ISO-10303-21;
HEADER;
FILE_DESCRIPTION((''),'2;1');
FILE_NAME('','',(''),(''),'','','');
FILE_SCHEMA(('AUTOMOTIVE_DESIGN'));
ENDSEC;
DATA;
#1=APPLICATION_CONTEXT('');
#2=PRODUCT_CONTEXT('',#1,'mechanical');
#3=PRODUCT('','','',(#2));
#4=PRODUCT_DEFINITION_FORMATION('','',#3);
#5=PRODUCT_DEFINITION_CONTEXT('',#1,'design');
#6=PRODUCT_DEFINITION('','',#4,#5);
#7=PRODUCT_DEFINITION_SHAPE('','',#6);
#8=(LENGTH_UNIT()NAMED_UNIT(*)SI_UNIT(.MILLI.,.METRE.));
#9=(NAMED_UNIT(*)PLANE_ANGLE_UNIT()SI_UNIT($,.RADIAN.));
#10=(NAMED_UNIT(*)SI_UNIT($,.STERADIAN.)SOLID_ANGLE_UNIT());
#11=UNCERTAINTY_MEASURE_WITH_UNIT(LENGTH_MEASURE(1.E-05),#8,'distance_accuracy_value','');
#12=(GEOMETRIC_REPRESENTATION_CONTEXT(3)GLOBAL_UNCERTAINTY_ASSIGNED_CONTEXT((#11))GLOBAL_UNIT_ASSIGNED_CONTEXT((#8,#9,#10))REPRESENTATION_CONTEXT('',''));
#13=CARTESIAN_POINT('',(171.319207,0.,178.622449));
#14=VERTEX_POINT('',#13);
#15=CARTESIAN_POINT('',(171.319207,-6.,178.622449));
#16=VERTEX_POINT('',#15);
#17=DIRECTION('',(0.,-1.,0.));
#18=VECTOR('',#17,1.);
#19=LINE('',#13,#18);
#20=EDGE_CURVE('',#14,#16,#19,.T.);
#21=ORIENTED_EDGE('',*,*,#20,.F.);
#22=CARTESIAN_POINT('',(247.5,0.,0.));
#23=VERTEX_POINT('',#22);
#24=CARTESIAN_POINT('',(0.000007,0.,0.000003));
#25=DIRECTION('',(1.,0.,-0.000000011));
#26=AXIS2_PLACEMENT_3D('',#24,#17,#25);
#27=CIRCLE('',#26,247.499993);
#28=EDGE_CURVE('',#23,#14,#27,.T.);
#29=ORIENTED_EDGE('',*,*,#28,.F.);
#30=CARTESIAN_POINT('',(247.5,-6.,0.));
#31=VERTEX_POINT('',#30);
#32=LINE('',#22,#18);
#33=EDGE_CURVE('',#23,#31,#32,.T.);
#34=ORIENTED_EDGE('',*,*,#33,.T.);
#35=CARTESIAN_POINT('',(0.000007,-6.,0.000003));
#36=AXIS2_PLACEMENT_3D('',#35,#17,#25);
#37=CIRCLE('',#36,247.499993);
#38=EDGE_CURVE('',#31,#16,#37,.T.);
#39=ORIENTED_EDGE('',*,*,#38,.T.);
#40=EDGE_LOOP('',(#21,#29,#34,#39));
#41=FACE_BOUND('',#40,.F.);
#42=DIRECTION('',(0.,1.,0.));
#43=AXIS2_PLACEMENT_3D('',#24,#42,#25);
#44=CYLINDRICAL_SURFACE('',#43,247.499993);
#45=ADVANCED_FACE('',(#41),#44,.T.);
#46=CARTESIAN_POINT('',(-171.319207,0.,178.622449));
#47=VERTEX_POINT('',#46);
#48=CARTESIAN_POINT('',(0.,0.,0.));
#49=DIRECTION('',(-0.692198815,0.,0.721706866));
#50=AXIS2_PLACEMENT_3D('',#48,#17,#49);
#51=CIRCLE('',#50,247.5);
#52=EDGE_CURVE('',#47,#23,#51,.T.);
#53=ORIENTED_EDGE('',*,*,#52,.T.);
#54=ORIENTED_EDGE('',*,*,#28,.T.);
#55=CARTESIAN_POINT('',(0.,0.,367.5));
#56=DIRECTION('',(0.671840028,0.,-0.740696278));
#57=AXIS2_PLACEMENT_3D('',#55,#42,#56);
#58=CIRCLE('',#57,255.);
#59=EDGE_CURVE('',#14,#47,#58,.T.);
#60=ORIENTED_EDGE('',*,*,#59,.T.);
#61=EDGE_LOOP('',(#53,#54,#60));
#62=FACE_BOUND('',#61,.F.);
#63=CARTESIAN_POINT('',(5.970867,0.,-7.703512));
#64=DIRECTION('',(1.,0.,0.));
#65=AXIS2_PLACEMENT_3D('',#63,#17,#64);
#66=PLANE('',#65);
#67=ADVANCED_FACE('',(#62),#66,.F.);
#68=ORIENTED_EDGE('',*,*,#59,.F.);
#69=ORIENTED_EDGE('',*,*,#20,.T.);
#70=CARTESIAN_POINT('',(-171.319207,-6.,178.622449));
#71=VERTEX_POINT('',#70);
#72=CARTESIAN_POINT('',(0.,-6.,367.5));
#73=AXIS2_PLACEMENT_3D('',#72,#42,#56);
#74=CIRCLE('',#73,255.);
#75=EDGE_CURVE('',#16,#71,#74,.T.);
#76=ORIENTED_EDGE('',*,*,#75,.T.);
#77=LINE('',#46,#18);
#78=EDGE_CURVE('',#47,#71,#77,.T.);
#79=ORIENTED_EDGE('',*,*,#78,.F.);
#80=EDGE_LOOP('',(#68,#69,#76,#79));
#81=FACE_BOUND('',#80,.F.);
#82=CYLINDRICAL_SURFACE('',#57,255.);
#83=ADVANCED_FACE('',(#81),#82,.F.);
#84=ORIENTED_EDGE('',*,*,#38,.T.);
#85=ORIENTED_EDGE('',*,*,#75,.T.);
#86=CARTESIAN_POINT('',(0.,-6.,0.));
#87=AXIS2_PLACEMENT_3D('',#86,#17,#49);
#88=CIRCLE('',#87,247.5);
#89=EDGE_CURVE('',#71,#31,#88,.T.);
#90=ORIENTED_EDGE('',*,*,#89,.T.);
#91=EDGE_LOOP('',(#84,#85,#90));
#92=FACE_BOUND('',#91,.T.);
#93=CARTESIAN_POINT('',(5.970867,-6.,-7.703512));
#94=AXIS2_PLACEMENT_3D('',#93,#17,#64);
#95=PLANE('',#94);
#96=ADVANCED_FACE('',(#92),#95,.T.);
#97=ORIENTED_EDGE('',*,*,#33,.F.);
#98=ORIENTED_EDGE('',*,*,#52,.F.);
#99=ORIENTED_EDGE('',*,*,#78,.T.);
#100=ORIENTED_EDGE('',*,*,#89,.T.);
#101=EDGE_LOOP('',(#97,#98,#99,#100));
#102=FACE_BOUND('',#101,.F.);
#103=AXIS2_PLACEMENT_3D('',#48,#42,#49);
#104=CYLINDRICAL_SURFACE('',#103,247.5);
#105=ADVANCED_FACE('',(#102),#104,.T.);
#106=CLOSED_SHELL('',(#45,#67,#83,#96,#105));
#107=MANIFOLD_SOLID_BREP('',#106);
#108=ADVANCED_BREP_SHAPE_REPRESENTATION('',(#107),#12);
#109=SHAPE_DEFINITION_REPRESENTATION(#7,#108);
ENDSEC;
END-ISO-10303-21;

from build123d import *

# Parameters (mm, degrees)
F1_DEPTH = 6


with BuildPart() as f1:
    # F0 (on Front) → F1 (new body)
    with BuildSketch(Plane.XZ):
        with BuildLine():
            ThreePointArc((-171.319207, 178.622449), (-97.094661, -227.659564), (247.5, 0))
            ThreePointArc((247.5, 0), (227.659564, 97.094661), (171.319207, 178.622449))
            ThreePointArc((171.319207, 178.622449), (0, 112.5), (-171.319207, 178.622449))
        make_face()
    extrude(amount=F1_DEPTH)


solid = f1.part
